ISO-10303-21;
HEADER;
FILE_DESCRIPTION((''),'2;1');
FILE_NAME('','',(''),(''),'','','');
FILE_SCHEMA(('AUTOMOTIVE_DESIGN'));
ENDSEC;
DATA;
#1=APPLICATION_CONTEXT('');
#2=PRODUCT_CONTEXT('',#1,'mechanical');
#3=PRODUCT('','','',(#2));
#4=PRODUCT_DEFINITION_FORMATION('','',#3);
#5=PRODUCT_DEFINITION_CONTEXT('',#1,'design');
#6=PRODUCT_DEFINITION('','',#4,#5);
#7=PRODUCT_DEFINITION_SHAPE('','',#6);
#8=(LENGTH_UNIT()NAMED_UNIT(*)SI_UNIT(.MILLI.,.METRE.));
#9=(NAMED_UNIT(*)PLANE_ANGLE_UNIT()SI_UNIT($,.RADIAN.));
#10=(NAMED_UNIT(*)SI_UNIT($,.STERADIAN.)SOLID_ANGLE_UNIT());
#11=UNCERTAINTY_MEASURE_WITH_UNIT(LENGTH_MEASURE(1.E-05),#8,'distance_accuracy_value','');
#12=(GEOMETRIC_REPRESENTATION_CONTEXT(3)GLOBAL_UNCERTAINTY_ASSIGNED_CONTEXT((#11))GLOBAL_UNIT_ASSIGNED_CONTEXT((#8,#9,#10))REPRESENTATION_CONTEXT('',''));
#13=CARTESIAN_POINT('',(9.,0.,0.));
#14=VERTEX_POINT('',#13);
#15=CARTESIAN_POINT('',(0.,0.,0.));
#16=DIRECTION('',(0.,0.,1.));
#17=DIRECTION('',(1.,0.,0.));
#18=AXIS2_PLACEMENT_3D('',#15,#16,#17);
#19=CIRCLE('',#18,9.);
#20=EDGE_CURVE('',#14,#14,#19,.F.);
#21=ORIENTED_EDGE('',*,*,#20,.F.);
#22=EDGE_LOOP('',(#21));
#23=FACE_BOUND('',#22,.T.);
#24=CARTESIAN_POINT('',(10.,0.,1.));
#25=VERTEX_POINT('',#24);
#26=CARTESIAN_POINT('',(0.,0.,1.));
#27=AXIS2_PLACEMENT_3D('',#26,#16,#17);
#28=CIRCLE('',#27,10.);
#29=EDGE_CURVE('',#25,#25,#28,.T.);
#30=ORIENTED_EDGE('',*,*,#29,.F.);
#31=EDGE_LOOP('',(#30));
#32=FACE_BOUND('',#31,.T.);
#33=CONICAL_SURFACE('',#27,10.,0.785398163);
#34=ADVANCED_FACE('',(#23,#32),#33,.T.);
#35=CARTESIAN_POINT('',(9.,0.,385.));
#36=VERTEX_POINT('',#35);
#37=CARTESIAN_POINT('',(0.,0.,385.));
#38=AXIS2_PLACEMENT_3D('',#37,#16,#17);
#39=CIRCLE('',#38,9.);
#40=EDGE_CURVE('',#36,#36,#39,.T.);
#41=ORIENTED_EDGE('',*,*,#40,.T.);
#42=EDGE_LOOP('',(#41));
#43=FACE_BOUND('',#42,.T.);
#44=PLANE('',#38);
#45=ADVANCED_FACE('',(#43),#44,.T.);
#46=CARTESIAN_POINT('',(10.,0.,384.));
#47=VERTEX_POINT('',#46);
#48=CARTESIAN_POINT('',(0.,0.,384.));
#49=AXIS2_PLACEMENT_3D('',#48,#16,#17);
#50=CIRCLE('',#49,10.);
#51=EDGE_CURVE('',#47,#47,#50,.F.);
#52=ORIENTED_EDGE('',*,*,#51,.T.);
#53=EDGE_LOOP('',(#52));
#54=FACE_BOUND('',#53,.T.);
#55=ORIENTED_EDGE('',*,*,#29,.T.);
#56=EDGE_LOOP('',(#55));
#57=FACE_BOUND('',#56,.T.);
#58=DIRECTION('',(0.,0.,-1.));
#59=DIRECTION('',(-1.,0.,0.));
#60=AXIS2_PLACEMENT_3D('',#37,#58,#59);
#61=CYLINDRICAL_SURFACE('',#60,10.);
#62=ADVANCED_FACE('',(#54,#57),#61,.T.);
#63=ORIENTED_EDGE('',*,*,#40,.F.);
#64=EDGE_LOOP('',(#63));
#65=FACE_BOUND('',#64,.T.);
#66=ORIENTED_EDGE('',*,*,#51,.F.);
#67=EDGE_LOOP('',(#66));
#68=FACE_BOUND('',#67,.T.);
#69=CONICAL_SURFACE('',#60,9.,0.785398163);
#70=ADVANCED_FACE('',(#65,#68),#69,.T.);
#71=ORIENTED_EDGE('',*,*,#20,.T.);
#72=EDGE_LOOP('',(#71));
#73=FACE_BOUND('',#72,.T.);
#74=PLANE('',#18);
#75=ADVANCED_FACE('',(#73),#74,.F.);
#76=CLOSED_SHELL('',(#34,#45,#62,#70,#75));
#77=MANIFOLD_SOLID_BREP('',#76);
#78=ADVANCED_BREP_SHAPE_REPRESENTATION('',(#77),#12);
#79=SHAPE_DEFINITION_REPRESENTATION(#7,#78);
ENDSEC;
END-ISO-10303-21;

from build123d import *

# Parameters (mm, degrees)
SKETCH1_R           = 10
BOSS_EXTRUDE1_DEPTH = 385
CHAMFER1_SIZE       = 1


with BuildPart() as part:
    # Sketch1 → Boss-Extrude1 (new body)
    with BuildSketch(Plane.XY):
        Circle(SKETCH1_R)
    extrude(amount=BOSS_EXTRUDE1_DEPTH)

    # Chamfer1
    chamfer1_edges = [part.edges().sort_by_distance(p)[0] for p in [
        (-10, 0, 0),
        (-10, 0, 385),
    ]]
    chamfer(chamfer1_edges, length=CHAMFER1_SIZE)


solid = part.part
